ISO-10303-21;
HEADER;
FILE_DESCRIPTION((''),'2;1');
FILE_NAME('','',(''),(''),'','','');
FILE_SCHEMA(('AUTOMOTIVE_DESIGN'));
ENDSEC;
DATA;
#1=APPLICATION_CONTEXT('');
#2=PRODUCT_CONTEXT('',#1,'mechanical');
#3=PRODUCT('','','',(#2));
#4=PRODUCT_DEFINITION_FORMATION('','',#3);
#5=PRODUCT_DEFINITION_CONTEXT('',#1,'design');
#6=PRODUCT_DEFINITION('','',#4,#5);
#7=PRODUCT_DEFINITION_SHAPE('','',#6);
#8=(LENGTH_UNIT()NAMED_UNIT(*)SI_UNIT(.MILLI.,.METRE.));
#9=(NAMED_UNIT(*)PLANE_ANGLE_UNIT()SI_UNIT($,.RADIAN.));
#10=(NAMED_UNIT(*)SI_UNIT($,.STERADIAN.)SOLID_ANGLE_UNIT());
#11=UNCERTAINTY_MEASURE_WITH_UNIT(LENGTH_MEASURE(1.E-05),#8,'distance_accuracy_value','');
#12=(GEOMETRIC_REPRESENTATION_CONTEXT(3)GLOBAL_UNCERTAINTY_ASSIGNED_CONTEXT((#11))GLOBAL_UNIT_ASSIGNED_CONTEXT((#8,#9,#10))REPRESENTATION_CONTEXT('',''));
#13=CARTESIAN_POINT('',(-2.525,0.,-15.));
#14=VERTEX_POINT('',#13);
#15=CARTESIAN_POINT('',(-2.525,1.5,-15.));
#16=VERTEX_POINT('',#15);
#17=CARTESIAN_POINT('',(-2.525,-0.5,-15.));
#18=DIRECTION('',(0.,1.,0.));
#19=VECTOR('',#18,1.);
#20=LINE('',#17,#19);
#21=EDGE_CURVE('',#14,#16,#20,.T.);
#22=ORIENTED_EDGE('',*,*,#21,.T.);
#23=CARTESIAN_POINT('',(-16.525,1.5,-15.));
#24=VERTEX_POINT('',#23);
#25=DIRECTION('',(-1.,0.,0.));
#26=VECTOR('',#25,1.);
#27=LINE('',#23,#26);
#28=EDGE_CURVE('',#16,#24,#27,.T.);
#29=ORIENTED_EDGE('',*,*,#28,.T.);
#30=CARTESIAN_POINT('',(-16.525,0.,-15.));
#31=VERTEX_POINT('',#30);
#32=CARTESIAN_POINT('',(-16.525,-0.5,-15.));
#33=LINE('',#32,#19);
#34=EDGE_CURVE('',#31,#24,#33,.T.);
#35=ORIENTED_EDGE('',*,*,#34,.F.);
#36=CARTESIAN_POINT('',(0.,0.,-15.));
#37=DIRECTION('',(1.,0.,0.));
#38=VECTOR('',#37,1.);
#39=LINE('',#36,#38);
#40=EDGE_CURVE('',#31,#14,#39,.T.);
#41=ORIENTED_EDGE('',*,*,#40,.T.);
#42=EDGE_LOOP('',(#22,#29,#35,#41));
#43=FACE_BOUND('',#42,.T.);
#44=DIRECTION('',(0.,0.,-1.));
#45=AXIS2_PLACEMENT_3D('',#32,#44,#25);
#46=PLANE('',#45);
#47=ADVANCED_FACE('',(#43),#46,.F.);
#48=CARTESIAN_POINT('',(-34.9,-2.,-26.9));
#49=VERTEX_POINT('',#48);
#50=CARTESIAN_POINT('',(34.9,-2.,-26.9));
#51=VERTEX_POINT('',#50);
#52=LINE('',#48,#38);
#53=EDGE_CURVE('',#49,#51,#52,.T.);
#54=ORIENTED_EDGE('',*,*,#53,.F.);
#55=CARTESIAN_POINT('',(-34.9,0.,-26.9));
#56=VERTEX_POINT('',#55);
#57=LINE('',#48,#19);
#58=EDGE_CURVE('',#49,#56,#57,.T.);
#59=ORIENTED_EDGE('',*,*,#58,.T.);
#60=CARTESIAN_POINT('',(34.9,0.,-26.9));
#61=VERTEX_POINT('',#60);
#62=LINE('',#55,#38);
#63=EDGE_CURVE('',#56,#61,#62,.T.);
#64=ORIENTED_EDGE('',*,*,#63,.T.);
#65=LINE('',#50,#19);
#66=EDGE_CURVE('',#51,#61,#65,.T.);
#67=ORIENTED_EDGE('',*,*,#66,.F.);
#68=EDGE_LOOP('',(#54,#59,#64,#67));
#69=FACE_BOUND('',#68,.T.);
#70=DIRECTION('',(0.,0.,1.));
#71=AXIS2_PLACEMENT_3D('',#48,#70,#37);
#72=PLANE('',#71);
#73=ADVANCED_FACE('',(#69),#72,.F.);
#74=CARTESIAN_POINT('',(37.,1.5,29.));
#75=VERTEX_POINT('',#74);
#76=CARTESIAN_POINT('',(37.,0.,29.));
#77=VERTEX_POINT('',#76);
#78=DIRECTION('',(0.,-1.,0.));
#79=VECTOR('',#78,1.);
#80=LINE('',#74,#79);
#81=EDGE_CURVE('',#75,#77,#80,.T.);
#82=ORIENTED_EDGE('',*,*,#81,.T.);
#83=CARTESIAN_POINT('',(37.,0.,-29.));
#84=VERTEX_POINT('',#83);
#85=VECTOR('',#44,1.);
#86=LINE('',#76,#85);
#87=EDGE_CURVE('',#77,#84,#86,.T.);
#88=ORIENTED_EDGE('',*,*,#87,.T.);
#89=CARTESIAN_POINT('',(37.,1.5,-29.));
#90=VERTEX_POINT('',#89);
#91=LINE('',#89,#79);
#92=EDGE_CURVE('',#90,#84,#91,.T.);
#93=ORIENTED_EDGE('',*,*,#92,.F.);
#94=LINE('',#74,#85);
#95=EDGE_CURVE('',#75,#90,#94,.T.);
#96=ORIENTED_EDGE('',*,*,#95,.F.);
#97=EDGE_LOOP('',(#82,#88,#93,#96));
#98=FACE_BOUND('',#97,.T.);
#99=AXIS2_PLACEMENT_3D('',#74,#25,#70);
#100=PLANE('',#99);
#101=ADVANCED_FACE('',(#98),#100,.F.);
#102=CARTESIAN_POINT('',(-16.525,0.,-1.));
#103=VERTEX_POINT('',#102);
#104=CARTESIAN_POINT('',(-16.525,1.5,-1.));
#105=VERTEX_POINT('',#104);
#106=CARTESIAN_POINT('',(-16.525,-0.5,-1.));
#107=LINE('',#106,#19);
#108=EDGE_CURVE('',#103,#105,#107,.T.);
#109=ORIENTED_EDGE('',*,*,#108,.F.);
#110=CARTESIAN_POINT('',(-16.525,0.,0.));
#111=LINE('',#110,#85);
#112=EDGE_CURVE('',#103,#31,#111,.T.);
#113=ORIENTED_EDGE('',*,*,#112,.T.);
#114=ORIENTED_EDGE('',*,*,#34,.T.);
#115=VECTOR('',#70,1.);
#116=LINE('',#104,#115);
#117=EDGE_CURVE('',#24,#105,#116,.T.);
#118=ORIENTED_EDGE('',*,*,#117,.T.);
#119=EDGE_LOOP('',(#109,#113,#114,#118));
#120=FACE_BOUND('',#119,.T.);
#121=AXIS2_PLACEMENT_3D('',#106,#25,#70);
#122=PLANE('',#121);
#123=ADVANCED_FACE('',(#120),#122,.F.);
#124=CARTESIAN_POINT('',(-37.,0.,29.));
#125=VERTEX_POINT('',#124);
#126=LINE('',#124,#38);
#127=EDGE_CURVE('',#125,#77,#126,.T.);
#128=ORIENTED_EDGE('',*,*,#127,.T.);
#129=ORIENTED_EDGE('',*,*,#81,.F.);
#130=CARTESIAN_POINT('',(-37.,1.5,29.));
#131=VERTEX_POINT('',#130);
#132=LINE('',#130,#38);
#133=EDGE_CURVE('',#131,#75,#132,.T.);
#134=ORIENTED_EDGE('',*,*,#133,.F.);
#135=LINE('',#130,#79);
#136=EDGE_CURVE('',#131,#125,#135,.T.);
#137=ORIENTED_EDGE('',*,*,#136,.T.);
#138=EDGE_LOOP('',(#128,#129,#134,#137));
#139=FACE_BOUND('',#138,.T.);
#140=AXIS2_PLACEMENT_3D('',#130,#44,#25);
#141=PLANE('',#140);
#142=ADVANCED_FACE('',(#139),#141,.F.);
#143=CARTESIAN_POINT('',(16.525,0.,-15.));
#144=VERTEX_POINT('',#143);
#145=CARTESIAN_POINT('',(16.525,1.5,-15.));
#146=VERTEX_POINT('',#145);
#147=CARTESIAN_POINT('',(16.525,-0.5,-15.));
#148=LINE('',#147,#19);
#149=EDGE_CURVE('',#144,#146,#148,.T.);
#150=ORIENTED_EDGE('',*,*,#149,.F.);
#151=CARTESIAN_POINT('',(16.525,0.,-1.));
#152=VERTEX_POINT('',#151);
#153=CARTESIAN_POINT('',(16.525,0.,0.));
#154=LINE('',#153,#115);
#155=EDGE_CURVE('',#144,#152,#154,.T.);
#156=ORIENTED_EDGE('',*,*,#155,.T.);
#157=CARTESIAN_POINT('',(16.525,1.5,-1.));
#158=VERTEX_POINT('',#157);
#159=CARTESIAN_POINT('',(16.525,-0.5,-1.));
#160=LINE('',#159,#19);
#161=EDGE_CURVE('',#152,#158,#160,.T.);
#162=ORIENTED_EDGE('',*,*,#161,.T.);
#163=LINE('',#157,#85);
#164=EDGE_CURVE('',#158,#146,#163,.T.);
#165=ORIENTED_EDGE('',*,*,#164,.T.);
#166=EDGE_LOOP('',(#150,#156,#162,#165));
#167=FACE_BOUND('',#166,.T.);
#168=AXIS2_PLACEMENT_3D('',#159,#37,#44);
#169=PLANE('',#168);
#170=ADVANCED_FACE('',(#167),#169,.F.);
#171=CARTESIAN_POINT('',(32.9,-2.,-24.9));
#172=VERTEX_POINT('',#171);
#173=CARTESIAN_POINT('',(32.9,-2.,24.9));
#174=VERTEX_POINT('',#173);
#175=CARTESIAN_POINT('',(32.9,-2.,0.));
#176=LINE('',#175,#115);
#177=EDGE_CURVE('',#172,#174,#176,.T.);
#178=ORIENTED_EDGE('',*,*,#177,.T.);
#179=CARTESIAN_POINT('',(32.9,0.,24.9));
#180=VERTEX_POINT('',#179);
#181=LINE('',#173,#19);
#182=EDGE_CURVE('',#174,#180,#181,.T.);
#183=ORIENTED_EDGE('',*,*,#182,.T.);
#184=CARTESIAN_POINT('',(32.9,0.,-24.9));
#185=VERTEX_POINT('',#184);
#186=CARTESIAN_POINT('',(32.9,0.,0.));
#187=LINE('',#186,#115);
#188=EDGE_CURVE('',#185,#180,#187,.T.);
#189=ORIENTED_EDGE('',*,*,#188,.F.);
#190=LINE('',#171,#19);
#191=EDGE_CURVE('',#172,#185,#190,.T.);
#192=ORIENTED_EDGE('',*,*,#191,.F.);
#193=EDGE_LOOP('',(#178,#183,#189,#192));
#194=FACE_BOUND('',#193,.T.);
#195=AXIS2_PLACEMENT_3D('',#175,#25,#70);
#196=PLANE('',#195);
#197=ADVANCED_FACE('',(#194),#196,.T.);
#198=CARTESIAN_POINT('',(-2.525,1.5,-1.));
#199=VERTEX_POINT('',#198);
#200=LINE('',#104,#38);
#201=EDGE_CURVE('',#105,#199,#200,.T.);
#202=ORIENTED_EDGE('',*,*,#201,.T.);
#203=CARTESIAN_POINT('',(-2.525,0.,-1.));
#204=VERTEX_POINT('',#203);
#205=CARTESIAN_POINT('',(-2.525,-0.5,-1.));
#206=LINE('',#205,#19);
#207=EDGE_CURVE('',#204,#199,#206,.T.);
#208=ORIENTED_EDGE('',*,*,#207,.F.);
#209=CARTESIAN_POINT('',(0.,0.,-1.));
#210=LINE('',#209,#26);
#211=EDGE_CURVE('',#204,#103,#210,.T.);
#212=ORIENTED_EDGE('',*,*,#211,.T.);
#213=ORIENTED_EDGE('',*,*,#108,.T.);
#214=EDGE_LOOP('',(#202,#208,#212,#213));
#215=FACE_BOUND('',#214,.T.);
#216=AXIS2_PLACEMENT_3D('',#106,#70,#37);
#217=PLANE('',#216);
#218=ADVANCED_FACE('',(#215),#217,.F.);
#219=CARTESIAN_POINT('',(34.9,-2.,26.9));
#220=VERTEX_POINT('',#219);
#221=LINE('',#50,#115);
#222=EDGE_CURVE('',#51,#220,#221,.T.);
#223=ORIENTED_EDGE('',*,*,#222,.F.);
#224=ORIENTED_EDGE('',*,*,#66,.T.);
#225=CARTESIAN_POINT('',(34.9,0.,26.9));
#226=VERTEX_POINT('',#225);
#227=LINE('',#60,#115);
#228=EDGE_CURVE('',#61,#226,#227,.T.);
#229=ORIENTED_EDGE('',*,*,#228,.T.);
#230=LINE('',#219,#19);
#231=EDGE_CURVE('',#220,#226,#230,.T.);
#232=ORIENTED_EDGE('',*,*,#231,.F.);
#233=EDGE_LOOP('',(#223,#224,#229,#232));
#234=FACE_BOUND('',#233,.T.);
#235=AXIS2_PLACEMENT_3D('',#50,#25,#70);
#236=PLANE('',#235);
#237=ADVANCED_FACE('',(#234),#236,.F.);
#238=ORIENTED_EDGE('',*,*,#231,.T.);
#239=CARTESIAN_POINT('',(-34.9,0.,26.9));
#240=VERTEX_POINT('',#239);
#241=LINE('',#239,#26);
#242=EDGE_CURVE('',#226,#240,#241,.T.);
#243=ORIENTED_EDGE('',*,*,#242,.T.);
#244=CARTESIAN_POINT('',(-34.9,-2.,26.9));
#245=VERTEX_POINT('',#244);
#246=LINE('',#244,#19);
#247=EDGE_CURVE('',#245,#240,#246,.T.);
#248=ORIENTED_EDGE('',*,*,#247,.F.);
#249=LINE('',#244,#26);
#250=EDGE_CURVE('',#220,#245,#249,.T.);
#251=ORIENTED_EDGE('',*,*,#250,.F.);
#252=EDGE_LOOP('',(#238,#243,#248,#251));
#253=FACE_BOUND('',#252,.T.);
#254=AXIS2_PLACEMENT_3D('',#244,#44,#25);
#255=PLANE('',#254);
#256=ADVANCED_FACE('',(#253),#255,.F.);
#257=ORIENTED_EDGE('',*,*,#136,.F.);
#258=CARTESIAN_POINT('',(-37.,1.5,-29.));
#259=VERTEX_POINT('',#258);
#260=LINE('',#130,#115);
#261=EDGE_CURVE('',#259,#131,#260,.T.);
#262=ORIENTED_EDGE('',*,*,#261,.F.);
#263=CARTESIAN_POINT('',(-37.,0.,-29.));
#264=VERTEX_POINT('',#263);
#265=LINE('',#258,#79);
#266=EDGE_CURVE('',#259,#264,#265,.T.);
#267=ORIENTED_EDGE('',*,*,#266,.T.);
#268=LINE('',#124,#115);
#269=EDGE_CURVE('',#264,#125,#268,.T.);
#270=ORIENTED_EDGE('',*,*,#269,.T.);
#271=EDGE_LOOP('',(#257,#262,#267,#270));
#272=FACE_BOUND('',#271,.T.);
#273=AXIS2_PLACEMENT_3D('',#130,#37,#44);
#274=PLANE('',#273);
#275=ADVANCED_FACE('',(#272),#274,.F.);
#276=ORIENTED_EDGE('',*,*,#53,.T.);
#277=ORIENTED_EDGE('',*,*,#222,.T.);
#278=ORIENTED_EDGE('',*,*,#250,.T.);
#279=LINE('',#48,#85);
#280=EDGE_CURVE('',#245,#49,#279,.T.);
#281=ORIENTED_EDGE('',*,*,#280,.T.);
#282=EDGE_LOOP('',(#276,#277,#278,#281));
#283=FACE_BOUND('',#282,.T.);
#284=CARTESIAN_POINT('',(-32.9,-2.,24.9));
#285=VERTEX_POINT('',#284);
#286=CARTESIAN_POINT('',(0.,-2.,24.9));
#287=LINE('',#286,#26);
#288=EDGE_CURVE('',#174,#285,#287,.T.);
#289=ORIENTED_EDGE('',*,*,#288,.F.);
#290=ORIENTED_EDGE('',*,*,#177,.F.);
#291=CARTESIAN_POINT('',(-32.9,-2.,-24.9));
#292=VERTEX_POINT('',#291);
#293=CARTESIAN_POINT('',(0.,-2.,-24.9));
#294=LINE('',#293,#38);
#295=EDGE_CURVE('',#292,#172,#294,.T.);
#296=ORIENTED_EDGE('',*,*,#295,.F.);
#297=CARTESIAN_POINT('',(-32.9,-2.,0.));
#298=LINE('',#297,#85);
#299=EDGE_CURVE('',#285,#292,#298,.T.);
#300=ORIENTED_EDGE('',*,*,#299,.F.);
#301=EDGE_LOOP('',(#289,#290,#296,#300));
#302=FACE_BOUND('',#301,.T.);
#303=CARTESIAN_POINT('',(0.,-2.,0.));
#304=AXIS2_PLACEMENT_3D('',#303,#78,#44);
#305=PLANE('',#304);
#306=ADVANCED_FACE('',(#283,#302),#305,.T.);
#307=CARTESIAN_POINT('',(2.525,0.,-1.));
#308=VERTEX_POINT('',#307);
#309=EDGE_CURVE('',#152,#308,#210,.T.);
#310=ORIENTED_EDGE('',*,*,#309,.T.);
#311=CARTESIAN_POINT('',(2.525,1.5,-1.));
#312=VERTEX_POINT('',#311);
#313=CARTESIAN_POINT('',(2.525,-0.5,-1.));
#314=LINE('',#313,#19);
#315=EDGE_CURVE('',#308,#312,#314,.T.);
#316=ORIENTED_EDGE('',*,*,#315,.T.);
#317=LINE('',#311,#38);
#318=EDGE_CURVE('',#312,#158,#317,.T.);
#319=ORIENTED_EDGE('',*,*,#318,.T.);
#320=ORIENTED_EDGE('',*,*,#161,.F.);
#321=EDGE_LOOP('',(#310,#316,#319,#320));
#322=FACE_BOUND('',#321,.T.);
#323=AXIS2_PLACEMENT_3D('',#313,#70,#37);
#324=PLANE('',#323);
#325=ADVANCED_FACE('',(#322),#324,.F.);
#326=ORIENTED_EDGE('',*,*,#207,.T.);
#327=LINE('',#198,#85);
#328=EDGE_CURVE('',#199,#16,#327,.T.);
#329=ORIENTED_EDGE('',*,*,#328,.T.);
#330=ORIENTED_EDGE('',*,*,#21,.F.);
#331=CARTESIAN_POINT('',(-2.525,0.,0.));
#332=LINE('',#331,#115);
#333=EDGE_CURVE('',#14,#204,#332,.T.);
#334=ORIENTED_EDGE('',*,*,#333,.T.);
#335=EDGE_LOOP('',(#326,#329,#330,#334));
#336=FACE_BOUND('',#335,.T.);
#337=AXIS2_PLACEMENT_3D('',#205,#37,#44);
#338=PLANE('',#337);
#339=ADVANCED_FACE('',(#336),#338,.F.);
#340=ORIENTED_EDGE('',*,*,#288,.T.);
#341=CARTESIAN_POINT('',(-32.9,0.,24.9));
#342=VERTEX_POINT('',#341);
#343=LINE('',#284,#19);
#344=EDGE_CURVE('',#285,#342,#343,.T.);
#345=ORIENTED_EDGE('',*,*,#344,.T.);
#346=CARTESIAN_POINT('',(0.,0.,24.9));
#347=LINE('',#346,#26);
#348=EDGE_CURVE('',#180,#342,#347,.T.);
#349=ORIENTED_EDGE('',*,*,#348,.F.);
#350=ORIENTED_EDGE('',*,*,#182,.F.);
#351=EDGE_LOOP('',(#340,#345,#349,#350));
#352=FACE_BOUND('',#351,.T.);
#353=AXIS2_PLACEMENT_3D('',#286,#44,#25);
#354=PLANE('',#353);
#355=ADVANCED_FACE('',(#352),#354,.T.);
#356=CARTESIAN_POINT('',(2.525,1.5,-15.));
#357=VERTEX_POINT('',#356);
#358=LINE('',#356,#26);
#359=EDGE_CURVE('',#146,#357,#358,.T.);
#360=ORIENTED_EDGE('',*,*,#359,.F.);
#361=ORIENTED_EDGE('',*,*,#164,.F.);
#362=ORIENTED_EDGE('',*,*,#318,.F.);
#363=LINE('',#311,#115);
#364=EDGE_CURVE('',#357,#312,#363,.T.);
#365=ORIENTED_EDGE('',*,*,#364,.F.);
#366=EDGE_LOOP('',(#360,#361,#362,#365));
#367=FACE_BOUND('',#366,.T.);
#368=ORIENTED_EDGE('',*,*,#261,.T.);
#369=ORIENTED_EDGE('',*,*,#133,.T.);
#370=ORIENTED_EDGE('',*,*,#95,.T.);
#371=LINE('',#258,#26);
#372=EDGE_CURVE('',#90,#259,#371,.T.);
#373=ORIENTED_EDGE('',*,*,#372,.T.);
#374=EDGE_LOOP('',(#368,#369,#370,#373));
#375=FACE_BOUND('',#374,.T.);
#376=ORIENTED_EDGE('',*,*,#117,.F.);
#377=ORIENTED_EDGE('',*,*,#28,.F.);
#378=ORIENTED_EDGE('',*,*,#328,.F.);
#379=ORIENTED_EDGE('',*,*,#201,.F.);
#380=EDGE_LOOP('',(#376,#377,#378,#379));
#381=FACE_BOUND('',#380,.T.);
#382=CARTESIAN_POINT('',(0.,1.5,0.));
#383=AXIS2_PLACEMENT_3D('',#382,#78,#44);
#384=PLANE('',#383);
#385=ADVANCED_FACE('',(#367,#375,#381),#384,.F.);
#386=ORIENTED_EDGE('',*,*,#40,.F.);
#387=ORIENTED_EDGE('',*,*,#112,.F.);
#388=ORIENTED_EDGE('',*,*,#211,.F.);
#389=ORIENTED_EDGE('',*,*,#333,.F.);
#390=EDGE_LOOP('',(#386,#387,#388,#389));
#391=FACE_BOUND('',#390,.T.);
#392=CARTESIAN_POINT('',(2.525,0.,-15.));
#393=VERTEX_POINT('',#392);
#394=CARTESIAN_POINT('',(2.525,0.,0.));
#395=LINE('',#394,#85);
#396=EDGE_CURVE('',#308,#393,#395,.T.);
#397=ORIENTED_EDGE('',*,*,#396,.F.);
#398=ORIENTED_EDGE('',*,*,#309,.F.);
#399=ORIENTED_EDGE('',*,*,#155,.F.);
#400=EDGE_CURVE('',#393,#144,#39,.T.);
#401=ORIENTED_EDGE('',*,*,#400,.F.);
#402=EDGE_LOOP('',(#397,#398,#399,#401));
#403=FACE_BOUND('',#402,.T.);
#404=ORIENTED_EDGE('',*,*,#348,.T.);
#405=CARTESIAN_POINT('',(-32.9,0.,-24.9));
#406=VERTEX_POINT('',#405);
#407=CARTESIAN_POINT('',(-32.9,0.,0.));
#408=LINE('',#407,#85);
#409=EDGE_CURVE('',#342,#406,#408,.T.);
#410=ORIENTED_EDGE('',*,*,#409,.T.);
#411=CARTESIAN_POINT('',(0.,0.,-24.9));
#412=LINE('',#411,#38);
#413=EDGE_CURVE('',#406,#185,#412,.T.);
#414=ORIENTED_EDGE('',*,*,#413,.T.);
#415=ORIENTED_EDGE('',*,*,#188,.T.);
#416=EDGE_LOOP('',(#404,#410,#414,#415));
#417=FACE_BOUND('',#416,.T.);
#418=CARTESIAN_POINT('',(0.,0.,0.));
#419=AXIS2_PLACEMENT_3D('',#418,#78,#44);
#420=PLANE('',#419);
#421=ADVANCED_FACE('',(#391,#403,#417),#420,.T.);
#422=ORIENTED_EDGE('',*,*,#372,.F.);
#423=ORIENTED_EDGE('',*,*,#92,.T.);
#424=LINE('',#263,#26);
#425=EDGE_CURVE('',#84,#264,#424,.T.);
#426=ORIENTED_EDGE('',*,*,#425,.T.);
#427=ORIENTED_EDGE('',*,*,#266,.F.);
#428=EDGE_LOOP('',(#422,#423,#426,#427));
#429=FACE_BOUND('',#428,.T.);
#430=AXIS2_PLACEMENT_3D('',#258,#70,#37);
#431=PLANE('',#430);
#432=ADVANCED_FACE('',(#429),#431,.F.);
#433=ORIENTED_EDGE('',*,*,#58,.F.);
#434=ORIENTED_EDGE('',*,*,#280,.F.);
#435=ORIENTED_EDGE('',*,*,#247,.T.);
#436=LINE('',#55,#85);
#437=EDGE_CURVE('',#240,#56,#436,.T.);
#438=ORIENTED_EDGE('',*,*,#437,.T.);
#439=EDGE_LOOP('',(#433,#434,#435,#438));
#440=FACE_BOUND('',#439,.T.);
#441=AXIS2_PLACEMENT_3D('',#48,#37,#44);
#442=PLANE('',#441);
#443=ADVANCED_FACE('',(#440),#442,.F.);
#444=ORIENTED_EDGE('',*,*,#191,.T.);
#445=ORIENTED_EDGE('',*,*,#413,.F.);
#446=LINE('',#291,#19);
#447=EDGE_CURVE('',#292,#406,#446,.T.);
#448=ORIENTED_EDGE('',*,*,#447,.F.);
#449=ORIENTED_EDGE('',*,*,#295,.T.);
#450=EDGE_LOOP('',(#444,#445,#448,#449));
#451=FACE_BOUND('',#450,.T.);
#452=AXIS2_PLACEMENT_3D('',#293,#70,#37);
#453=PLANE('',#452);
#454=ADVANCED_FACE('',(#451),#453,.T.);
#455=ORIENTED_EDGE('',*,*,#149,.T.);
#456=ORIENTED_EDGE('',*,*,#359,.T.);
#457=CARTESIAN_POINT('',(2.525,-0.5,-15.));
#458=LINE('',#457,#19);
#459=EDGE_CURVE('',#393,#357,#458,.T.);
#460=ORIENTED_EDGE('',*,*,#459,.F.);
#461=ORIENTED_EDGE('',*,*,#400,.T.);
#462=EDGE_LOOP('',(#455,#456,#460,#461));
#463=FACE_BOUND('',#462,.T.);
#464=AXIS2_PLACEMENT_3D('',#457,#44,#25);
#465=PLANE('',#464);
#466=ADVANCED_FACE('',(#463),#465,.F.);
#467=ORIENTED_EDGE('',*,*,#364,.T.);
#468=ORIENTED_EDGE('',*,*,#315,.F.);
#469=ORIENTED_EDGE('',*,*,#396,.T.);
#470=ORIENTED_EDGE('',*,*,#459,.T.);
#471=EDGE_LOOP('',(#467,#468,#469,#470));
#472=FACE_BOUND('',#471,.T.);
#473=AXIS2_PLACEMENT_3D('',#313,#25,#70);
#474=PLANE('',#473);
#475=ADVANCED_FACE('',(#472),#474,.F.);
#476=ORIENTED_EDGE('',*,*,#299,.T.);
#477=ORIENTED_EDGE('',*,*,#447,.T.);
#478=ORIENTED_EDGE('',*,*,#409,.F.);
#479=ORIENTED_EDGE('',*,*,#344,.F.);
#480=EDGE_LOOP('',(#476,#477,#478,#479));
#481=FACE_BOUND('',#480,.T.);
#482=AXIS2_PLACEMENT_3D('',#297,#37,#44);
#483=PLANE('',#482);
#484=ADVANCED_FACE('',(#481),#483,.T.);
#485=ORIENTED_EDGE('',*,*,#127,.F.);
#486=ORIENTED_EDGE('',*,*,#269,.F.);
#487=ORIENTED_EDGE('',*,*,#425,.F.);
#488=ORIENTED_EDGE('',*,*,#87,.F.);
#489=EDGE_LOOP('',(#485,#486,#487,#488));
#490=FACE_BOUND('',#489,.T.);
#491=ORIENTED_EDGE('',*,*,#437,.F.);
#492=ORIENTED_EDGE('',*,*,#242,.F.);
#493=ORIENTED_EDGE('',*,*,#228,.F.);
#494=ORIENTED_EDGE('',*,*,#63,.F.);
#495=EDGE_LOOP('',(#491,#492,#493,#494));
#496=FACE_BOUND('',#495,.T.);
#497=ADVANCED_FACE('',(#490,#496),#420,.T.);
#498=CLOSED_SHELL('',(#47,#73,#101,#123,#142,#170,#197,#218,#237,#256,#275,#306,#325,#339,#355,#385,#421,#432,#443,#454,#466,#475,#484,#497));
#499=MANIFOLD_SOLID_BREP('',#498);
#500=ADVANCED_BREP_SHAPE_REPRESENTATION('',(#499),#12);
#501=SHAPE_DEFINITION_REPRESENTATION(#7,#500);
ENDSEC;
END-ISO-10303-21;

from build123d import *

# Parameters (mm, degrees)
IZIM1_W                     = 74
IZIM1_H                     = 58
Y_KSEKLIK_EKSTR_ZYON1_DEPTH = 1.5
IZIM2_W                     = 69.8
IZIM2_H                     = 53.8
IZIM2_W_2                   = 65.8
IZIM2_H_2                   = 49.8
EKSTR_ZYON_NCE1_DEPTH       = 2
IZIM4_W                     = 14
IZIM4_H                     = 14
KES_EKSTR_ZYON4_DEPTH       = 2


with BuildPart() as part:
    # Çizim1 → Yükseklik-Ekstrüzyon1 (new body)
    with BuildSketch(Plane(origin=(0, 0, 0), x_dir=(1, 0, 0), z_dir=(0, 1, 0))):
        Rectangle(IZIM1_W, IZIM1_H)
    extrude(amount=Y_KSEKLIK_EKSTR_ZYON1_DEPTH)

    # Çizim2 → Ekstrüzyon-İnce1 (add)
    with BuildSketch(Plane.XZ):
        Rectangle(IZIM2_W, IZIM2_H)
        Rectangle(IZIM2_W_2, IZIM2_H_2, mode=Mode.SUBTRACT)
    extrude(amount=EKSTR_ZYON_NCE1_DEPTH)

    # Çizim4 → Kes-Ekstrüzyon4 (cut)
    with BuildSketch(Plane(origin=(0, 1.5, 0), x_dir=(1, 0, 0), z_dir=(0, 1, 0))):
        with Locations((-9.525, 8)):
            Rectangle(IZIM4_W, IZIM4_H)
        with Locations((9.525, 8)):
            Rectangle(IZIM4_W, IZIM4_H)
    extrude(amount=-KES_EKSTR_ZYON4_DEPTH, mode=Mode.SUBTRACT)


solid = part.part
